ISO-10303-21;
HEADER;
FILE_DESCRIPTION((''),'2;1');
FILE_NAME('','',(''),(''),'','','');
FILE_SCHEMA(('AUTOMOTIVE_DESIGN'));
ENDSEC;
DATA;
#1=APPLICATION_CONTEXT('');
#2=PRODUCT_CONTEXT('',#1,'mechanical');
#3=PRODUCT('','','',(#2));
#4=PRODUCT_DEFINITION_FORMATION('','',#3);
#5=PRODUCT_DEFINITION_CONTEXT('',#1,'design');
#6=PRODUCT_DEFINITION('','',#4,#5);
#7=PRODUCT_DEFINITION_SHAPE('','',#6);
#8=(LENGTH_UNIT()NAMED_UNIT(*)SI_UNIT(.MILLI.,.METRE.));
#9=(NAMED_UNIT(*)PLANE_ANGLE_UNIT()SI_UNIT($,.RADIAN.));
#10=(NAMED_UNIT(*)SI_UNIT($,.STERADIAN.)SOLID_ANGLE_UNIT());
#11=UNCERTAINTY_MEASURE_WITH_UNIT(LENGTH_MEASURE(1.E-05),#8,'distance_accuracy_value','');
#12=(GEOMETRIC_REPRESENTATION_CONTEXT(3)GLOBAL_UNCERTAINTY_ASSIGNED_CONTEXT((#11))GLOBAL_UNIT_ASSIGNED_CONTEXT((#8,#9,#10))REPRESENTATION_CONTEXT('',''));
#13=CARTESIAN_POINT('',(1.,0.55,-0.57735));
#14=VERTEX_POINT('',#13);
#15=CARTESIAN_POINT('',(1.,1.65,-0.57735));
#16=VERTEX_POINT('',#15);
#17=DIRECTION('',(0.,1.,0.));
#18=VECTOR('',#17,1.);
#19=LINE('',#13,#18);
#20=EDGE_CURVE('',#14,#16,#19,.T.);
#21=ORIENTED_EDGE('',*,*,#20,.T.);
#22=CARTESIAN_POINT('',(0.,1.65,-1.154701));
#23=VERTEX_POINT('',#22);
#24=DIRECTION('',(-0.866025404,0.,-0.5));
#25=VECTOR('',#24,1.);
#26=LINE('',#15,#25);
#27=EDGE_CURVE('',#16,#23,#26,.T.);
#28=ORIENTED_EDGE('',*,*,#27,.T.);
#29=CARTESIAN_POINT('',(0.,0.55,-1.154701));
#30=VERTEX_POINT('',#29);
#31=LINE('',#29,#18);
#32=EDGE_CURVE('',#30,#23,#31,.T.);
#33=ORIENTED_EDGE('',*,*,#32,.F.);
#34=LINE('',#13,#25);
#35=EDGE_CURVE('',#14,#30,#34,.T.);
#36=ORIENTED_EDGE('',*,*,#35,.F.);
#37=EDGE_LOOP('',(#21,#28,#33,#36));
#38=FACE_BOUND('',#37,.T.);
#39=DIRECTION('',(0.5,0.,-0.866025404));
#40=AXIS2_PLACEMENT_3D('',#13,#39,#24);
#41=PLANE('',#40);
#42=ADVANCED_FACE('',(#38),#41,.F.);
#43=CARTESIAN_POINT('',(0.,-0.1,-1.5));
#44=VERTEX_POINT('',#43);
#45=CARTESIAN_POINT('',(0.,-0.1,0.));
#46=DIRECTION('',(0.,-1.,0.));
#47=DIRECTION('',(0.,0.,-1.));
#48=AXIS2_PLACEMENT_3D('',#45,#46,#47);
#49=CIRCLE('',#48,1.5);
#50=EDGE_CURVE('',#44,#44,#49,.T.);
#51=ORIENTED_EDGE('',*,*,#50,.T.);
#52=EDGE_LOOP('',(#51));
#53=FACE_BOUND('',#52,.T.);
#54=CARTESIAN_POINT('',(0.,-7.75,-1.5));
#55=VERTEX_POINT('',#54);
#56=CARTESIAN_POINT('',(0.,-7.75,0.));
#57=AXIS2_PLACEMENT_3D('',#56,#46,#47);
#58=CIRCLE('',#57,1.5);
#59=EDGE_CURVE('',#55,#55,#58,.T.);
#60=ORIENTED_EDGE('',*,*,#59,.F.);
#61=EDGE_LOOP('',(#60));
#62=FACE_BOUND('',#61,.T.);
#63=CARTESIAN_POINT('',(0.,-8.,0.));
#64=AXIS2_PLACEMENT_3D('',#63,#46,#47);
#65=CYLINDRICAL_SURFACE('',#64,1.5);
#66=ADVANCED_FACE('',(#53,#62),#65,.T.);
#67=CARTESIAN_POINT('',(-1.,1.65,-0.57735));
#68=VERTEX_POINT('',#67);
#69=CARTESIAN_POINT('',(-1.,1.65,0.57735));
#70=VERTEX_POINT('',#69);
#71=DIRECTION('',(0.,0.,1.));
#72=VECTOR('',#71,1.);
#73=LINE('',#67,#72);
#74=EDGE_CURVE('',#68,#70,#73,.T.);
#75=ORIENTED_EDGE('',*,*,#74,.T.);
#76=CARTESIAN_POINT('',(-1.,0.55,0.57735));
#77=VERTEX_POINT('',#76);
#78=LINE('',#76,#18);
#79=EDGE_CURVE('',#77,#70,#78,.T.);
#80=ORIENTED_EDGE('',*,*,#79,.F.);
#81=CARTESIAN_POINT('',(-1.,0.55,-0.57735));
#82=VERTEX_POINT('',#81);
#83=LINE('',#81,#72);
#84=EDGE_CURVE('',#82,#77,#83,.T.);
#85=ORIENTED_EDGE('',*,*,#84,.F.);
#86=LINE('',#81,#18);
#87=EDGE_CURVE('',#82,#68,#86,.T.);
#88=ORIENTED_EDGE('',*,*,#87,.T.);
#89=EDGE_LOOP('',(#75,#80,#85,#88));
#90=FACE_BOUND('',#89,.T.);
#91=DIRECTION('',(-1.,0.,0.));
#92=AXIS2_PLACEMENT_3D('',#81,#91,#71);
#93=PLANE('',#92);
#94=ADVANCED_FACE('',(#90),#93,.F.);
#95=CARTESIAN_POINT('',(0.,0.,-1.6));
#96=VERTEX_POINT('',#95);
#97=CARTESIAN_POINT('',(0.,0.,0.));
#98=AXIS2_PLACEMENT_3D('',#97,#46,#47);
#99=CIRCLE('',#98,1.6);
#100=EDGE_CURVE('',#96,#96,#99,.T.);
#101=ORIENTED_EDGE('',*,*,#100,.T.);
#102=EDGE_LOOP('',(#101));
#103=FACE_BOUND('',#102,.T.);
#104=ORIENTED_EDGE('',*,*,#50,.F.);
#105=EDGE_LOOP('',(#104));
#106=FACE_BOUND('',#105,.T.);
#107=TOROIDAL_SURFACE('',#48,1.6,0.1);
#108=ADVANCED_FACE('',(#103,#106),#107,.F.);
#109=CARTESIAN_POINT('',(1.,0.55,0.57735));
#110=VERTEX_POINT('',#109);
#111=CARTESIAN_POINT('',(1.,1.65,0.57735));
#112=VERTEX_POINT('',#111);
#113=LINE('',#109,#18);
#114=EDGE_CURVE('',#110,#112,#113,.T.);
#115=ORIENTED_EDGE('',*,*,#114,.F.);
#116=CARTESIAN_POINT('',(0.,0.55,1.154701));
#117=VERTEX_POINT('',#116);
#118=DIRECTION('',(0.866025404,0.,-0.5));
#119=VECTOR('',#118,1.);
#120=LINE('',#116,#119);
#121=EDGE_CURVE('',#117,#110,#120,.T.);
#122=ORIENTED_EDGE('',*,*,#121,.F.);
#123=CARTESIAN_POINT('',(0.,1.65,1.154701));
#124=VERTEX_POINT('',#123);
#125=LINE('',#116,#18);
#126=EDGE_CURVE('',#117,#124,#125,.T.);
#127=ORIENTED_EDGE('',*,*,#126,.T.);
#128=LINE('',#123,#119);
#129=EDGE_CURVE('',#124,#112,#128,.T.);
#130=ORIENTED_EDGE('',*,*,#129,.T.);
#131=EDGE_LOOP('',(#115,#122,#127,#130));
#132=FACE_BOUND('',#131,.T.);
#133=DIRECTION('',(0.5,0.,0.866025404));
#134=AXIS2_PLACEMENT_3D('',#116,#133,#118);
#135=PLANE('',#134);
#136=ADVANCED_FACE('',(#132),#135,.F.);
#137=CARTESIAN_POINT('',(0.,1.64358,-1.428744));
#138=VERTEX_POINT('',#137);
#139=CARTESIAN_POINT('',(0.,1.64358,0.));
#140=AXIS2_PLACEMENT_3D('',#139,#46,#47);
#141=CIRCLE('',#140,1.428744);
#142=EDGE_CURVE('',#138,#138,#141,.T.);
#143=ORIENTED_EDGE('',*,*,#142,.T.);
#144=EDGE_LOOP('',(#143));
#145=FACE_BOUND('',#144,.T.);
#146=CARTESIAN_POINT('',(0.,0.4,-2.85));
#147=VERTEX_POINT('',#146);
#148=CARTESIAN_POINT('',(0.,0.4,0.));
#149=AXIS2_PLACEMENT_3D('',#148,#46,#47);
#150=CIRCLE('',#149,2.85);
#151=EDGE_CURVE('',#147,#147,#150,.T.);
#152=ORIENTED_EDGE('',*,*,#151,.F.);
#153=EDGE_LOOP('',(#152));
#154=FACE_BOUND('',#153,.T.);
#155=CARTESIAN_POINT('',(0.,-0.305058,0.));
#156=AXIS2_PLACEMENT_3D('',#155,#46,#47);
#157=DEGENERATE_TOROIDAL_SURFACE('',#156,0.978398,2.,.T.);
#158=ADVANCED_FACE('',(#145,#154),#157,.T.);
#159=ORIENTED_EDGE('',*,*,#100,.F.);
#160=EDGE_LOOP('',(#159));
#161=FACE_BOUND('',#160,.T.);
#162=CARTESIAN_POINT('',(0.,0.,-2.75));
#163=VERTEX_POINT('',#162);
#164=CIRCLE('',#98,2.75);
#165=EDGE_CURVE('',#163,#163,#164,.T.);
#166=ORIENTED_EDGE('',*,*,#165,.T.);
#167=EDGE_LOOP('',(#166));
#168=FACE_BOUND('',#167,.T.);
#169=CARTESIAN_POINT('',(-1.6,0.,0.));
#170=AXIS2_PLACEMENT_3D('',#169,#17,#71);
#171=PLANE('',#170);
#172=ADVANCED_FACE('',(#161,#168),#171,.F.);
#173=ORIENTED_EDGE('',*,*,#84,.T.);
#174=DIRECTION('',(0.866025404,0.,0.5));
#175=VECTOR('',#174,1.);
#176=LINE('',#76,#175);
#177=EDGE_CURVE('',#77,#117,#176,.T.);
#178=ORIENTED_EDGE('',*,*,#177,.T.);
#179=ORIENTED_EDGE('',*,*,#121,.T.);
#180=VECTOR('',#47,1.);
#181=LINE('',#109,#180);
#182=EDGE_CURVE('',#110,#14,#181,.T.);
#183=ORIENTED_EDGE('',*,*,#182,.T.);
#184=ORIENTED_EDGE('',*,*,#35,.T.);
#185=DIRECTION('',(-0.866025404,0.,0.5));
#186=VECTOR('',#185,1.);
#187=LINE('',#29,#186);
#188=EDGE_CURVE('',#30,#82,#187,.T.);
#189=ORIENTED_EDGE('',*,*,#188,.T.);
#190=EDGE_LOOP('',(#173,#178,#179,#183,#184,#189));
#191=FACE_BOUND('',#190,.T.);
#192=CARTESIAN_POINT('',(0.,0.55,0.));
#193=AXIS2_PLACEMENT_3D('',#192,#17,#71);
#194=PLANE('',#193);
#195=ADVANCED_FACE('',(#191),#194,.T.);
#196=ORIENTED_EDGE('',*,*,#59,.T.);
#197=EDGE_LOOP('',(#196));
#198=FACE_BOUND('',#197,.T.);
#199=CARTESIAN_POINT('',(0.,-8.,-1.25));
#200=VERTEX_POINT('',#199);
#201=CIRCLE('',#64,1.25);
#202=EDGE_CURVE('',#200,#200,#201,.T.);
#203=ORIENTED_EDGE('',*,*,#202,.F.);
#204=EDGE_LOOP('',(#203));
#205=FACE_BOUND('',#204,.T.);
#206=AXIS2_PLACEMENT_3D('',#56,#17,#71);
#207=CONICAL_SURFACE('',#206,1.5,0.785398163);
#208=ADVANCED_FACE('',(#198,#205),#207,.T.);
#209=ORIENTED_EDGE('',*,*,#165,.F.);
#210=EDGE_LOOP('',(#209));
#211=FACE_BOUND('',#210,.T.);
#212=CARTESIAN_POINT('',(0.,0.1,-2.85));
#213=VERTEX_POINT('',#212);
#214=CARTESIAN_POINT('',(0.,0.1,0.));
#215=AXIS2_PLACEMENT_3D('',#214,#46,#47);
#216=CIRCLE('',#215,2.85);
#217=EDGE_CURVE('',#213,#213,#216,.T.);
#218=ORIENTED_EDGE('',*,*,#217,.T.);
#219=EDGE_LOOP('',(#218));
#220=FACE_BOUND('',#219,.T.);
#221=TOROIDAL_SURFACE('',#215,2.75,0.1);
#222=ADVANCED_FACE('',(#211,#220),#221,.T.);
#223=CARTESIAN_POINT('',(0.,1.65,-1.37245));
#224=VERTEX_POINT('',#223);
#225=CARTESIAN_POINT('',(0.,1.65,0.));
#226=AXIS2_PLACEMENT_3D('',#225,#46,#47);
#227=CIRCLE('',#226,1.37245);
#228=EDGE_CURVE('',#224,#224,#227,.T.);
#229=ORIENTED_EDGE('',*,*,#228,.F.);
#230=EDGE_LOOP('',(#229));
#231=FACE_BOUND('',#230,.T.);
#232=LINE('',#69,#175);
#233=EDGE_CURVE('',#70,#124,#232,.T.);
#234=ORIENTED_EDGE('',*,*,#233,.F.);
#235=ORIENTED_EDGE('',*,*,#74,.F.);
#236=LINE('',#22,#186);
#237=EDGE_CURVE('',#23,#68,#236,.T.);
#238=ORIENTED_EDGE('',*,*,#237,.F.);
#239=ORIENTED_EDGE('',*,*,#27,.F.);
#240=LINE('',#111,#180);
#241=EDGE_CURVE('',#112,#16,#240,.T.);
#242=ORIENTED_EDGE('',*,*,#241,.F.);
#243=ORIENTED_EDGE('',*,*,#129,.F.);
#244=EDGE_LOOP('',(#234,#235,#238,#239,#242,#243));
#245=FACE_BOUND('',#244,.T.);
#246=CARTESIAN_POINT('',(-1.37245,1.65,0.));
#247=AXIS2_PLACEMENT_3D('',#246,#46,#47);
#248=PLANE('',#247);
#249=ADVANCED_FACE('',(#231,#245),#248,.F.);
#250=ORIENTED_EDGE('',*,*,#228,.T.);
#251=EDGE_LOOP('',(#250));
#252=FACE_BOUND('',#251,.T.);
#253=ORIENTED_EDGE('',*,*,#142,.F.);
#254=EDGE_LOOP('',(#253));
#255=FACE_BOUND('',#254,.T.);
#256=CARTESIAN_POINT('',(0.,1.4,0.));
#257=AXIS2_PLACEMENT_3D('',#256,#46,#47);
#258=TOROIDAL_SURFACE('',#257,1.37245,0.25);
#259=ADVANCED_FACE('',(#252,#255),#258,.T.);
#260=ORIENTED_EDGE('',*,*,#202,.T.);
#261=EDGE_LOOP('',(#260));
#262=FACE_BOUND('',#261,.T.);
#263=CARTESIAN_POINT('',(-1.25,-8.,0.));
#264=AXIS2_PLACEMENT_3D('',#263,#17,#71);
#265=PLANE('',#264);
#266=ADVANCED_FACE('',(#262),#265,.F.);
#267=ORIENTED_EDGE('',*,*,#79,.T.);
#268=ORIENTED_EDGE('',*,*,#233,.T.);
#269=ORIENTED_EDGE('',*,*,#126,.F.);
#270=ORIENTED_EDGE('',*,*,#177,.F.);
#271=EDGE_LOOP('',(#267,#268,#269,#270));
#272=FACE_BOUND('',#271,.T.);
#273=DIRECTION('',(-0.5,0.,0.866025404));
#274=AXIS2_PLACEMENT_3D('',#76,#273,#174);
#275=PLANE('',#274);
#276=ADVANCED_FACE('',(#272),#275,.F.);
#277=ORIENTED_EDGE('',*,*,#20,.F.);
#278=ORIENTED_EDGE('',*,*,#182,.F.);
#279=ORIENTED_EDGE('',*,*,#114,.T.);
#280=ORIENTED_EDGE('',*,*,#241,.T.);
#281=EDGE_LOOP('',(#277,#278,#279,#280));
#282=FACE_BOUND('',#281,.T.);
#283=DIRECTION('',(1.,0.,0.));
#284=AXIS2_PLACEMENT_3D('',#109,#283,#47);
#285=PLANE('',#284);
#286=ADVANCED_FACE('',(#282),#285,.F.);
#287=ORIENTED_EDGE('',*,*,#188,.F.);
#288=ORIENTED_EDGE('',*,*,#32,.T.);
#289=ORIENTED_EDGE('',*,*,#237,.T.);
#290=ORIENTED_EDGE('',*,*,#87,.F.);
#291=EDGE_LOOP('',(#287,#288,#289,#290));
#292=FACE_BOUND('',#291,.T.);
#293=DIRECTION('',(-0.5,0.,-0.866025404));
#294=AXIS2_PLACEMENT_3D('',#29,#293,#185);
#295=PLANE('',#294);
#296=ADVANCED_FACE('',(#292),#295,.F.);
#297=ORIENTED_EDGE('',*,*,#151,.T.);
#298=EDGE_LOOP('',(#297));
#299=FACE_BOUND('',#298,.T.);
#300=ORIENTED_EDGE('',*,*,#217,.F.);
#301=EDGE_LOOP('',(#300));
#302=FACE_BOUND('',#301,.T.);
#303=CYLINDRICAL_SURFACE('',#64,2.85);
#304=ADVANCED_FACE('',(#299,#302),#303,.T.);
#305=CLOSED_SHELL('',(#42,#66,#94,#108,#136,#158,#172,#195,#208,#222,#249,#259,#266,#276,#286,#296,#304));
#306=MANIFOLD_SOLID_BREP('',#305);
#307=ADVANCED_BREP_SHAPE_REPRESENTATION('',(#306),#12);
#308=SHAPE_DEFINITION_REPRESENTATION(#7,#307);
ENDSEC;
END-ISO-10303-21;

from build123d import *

# Parameters (mm, degrees)
CUT_EXTRUDE1_DEPTH = 1.1


with BuildPart() as part:
    # Sketch1 → Revolve1 (revolve)
    with BuildSketch(Plane.XY, mode=Mode.PRIVATE) as revolve1_sk:
        with BuildLine():
            Line((-1.5, -0.1), (-1.5, -7.75))
            Line((-1.5, -7.75), (-1.25, -8))
            Line((-1.25, -8), (0, -8))
            Line((0, -8), (0, 1.65))
            Line((0, 1.65), (-1.372450351, 1.65))
            ThreePointArc((-1.372450351, 1.65), (-1.400779398, 1.648389744), (-1.42874351, 1.643579721))
            ThreePointArc((-1.42874351, 1.643579721), (-2.295395633, 1.200105689), (-2.85, 0.4))
            Line((-2.85, 0.4), (-2.85, 0.1))
            ThreePointArc((-2.85, 0.1), (-2.820710678, 0.029289322), (-2.75, 0))
            Line((-2.75, 0), (-1.6, 0))
            ThreePointArc((-1.6, 0), (-1.529289322, -0.029289322), (-1.5, -0.1))
        make_face()
    revolve(revolve1_sk.sketch.rotate(Axis((0, -8, 0), (0, 1, 0)), 270), axis=Axis((0, -8, 0), (0, 1, 0)))

    # Sketch2 → Cut-Extrude1 (cut)
    with BuildSketch(Plane(origin=(0, 1.65, 0), x_dir=(1, 0, 0), z_dir=(0, 1, 0))):
        Polygon((-1, 0.577350269), (-1, -0.577350269), (0, -1.154700538), (1, -0.577350269), (1, 0.577350269), (0, 1.154700538), align=None)
    extrude(amount=-CUT_EXTRUDE1_DEPTH, mode=Mode.SUBTRACT)


solid = part.part
